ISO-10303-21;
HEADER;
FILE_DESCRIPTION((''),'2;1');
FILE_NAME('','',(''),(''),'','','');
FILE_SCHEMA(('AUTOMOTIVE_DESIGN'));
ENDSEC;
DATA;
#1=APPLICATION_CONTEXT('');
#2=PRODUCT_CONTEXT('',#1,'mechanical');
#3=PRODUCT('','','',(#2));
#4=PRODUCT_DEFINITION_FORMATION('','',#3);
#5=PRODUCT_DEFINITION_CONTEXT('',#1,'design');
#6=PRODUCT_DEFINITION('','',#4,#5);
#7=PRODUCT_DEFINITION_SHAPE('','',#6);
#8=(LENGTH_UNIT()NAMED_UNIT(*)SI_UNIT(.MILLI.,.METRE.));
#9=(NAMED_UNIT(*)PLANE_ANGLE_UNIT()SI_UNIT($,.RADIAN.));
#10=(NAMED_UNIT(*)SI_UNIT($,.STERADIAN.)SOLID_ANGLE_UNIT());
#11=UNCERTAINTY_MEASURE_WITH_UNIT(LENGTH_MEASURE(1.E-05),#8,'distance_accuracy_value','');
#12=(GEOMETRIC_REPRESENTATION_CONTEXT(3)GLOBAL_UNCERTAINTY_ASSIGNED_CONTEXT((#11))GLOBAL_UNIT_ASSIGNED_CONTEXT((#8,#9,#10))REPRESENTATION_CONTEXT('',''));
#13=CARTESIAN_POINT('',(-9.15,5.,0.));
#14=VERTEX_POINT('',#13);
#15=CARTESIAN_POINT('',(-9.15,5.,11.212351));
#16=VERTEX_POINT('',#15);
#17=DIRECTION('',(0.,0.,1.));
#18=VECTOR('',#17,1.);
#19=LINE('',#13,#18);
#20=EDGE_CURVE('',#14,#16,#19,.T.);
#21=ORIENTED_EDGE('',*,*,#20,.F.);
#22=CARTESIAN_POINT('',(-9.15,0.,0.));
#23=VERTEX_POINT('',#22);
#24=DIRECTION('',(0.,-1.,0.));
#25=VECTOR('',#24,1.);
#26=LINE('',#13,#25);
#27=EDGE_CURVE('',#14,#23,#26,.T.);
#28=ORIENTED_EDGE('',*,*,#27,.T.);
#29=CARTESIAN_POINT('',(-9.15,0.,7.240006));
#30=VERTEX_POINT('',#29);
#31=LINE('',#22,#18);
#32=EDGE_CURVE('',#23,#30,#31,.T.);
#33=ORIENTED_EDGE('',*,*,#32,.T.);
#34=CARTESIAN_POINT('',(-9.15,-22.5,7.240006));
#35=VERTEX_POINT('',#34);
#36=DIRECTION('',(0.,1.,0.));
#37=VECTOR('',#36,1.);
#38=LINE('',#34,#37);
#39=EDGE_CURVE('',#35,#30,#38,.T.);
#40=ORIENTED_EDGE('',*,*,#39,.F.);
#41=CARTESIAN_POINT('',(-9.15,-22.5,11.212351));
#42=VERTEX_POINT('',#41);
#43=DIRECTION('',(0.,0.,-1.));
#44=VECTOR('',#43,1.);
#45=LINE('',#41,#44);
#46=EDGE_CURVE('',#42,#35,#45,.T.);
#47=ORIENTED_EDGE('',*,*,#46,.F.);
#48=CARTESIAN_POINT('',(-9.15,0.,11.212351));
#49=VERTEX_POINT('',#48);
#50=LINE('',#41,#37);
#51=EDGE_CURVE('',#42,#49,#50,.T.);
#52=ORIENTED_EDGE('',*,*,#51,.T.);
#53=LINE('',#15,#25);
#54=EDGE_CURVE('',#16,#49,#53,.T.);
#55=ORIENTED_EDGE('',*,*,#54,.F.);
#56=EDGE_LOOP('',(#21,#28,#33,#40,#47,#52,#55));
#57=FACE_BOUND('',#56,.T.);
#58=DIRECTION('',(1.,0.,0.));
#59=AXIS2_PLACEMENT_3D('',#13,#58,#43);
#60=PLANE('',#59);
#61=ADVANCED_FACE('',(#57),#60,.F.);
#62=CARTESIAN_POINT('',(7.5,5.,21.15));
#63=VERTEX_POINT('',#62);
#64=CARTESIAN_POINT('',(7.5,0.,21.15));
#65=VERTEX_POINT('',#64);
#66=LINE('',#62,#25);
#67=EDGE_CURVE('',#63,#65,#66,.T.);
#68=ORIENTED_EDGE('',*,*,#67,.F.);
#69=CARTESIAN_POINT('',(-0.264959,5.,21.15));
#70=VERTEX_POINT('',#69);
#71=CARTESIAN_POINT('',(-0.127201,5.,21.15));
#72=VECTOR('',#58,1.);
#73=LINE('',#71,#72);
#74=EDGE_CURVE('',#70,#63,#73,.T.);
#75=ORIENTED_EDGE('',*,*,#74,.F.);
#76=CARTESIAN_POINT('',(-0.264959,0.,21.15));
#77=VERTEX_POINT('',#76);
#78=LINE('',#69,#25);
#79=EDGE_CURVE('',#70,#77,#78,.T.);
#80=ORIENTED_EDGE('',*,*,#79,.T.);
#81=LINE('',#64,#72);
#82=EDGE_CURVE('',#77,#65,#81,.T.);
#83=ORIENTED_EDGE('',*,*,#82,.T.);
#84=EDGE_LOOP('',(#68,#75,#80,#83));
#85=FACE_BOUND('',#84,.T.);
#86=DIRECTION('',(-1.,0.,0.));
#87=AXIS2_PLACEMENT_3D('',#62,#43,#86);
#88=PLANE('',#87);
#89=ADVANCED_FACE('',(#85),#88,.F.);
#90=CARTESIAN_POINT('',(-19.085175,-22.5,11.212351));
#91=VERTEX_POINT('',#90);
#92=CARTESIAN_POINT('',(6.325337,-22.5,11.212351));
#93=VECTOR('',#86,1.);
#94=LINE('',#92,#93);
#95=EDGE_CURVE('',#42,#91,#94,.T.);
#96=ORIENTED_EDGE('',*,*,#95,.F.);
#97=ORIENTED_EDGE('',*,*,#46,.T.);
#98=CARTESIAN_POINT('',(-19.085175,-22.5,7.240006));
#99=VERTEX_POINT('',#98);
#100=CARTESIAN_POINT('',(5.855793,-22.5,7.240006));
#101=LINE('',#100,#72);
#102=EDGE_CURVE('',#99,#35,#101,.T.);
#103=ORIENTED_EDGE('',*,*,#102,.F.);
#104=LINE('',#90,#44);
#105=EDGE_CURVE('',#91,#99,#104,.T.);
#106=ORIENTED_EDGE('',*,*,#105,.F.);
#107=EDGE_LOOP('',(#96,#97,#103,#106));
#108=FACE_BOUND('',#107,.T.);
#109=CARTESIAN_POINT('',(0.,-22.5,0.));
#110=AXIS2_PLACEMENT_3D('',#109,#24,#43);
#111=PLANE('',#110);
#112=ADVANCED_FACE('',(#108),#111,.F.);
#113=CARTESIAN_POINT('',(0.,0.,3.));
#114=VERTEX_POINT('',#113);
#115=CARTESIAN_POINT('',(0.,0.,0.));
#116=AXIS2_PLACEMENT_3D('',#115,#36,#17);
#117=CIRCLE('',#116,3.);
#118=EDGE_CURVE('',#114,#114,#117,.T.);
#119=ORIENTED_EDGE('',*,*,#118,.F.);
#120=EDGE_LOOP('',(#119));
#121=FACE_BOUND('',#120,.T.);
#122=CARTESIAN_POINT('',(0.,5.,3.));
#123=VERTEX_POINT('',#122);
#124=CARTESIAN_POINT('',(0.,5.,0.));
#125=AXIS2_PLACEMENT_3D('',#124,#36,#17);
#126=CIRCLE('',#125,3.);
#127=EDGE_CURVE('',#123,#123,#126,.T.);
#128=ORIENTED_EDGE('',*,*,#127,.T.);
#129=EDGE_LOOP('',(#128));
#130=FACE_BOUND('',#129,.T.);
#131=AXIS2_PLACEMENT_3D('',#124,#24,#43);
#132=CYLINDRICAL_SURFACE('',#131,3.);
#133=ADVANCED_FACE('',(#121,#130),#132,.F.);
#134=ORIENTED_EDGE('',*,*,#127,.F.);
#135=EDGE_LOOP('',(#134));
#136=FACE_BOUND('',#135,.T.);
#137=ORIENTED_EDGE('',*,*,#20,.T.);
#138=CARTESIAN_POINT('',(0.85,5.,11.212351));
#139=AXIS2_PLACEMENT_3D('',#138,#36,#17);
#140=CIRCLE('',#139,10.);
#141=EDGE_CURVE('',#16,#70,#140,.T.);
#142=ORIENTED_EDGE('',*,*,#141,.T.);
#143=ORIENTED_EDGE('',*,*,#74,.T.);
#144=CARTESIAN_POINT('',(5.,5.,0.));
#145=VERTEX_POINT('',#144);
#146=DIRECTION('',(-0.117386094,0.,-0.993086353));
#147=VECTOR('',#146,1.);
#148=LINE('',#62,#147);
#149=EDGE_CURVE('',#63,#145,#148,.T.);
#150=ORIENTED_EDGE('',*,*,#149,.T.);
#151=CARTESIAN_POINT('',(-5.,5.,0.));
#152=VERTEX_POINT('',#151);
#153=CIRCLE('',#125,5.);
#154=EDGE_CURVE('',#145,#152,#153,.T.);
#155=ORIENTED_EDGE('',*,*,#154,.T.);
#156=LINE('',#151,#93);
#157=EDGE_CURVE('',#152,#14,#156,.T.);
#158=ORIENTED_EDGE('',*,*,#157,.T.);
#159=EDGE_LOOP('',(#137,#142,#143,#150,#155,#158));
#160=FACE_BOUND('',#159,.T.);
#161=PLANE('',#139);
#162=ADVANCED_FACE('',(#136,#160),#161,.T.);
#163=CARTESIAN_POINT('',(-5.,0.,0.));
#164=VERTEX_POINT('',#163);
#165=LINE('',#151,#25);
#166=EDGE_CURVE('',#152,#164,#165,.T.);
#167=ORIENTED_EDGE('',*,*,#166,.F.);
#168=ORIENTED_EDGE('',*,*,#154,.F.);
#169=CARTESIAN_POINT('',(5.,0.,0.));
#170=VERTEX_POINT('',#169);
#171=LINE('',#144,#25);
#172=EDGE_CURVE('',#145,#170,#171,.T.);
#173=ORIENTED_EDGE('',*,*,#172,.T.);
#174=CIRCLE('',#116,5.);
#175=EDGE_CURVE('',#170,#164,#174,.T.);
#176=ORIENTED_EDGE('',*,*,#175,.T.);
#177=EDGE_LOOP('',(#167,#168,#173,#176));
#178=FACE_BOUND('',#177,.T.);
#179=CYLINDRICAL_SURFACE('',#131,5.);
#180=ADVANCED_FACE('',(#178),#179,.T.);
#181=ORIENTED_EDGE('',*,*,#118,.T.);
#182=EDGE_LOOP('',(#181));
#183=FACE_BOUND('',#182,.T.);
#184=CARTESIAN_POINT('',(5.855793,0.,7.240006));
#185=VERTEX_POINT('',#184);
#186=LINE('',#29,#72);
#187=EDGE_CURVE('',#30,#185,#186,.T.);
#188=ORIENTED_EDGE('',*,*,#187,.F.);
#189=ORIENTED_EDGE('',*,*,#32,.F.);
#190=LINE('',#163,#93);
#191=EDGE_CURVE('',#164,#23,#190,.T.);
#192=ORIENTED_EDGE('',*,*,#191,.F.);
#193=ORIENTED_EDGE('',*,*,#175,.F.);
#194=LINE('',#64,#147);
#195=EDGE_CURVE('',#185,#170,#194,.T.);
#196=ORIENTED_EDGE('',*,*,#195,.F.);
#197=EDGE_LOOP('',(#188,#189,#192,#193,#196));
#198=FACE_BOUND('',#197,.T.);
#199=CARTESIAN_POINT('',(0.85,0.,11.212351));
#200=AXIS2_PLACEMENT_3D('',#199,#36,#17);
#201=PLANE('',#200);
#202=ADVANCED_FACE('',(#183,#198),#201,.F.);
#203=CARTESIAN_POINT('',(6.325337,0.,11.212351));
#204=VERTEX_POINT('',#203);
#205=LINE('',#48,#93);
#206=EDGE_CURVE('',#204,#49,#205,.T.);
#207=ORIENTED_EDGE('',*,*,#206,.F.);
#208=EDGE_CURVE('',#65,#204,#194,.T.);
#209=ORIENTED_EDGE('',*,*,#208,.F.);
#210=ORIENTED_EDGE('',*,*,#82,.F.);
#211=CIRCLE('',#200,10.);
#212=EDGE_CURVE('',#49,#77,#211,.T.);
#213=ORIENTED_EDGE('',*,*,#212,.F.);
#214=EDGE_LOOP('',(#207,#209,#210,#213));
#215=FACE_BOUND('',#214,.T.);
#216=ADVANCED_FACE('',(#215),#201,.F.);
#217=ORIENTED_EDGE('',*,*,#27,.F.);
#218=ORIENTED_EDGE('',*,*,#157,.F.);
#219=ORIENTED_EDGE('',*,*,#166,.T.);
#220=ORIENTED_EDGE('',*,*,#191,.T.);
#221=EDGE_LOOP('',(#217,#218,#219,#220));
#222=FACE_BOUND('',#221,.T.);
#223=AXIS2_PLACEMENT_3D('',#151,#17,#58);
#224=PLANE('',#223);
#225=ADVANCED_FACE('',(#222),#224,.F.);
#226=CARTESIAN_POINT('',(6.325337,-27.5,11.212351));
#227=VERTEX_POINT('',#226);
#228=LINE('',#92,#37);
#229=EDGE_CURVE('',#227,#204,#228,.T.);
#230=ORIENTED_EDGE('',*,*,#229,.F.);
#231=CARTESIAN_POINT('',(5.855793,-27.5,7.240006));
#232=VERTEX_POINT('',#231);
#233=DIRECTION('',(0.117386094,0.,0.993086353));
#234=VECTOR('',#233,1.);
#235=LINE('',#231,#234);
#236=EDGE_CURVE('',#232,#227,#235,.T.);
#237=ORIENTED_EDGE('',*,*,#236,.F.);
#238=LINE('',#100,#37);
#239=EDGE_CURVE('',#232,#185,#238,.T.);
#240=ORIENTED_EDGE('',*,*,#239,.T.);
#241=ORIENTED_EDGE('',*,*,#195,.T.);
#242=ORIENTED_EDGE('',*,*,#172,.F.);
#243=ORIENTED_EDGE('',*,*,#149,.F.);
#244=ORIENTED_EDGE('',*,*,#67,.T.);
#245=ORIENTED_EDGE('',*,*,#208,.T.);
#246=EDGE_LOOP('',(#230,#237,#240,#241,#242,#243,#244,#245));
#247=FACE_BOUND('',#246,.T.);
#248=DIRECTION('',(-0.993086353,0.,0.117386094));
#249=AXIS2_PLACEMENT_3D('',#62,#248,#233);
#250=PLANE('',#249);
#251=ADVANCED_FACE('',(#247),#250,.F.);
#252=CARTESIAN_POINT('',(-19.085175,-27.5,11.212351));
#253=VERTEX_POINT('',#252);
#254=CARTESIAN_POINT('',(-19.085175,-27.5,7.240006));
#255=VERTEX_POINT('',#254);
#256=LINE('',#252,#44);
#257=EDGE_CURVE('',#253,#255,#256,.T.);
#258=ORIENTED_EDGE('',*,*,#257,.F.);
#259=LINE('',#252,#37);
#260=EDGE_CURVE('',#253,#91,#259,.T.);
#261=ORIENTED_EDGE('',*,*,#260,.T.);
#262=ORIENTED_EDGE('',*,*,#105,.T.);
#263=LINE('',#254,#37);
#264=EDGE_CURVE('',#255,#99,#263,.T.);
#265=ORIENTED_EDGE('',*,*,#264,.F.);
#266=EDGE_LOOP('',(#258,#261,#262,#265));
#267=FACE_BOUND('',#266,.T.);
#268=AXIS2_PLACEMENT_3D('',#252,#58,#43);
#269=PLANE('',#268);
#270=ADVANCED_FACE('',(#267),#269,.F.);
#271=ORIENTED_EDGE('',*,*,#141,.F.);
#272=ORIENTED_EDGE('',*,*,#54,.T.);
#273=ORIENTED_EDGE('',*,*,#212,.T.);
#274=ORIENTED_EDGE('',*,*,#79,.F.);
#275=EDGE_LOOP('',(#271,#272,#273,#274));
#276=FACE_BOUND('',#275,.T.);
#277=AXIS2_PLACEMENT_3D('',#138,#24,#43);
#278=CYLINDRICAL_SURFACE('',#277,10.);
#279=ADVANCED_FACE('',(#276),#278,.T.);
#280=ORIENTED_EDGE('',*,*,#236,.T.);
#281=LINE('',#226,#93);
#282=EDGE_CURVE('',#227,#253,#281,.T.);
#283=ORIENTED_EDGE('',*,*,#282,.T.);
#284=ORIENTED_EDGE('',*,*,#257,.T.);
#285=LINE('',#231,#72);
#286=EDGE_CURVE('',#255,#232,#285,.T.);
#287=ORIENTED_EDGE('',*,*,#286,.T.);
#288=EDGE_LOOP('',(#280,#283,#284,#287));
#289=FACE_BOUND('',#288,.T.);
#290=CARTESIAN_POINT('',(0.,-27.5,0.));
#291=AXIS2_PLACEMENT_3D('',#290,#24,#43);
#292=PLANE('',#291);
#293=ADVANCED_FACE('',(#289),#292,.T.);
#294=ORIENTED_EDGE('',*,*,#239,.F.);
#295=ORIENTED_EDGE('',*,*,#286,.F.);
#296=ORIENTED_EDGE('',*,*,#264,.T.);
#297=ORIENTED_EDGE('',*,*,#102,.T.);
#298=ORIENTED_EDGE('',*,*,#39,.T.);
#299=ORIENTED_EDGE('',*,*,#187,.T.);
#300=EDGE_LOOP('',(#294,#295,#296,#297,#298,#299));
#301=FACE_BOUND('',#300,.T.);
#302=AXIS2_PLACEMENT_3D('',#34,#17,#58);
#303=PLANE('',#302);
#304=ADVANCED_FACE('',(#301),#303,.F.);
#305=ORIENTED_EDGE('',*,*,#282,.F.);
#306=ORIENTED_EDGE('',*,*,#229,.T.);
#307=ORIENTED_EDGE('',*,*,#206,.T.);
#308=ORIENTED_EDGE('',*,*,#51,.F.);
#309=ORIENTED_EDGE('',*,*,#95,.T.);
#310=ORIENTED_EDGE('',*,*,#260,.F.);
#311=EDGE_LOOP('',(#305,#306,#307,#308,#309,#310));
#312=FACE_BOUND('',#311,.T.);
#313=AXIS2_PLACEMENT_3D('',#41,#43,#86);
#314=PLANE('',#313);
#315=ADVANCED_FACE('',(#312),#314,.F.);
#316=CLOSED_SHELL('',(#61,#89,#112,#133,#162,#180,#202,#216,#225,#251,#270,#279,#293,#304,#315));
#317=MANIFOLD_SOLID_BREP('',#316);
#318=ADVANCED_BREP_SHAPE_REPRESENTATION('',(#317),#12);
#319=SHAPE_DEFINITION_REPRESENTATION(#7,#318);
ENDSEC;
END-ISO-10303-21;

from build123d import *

# Parameters (mm, degrees)
CROQUIS2_R              = 3
SALIENTE_EXTRUIR1_DEPTH = 5
SALIENTE_EXTRUIR2_DEPTH = 22.5
SALIENTE_EXTRUIR3_DEPTH = 5


with BuildPart() as part:
    # Croquis2 → Saliente-Extruir1 (new body)
    with BuildSketch(Plane(origin=(0, 0, 0), x_dir=(1, 0, 0), z_dir=(0, 1, 0))):
        with BuildLine():
            Line((7.5, -21.15), (5, 0))
            ThreePointArc((5, 0), (0, 5), (-5, 0))
            Line((-5, 0), (-9.15, 0))
            Line((-9.15, 0), (-9.15, -11.212351015))
            ThreePointArc((-9.15, -11.212351015), (-6.604850295, -17.877574723), (-0.264958583, -21.15))
            Line((-0.264958583, -21.15), (-0.127201334, -21.15))
            Line((-0.127201334, -21.15), (7.5, -21.15))
        make_face()
        with Locations(Location((0, 0, 0), (0, 0, 270))):
            Circle(CROQUIS2_R, mode=Mode.SUBTRACT)
    extrude(amount=SALIENTE_EXTRUIR1_DEPTH)

    # Croquis3 → Saliente-Extruir2 (add)
    with BuildSketch(Plane.XZ):
        Polygon((-9.15, 11.212351015), (6.325336999, 11.212351015), (5.855792624, 7.240005602), (-9.15, 7.240005602), align=None)
    extrude(amount=SALIENTE_EXTRUIR2_DEPTH)

    # Croquis4 → Saliente-Extruir3 (add)
    with BuildSketch(Plane.XZ.offset(22.5)):
        Polygon((5.855792624, 7.240005602), (6.325336999, 11.212351015), (-19.085175152, 11.212351015), (-19.085175152, 7.240005602), align=None)
    extrude(amount=SALIENTE_EXTRUIR3_DEPTH)


solid = part.part
